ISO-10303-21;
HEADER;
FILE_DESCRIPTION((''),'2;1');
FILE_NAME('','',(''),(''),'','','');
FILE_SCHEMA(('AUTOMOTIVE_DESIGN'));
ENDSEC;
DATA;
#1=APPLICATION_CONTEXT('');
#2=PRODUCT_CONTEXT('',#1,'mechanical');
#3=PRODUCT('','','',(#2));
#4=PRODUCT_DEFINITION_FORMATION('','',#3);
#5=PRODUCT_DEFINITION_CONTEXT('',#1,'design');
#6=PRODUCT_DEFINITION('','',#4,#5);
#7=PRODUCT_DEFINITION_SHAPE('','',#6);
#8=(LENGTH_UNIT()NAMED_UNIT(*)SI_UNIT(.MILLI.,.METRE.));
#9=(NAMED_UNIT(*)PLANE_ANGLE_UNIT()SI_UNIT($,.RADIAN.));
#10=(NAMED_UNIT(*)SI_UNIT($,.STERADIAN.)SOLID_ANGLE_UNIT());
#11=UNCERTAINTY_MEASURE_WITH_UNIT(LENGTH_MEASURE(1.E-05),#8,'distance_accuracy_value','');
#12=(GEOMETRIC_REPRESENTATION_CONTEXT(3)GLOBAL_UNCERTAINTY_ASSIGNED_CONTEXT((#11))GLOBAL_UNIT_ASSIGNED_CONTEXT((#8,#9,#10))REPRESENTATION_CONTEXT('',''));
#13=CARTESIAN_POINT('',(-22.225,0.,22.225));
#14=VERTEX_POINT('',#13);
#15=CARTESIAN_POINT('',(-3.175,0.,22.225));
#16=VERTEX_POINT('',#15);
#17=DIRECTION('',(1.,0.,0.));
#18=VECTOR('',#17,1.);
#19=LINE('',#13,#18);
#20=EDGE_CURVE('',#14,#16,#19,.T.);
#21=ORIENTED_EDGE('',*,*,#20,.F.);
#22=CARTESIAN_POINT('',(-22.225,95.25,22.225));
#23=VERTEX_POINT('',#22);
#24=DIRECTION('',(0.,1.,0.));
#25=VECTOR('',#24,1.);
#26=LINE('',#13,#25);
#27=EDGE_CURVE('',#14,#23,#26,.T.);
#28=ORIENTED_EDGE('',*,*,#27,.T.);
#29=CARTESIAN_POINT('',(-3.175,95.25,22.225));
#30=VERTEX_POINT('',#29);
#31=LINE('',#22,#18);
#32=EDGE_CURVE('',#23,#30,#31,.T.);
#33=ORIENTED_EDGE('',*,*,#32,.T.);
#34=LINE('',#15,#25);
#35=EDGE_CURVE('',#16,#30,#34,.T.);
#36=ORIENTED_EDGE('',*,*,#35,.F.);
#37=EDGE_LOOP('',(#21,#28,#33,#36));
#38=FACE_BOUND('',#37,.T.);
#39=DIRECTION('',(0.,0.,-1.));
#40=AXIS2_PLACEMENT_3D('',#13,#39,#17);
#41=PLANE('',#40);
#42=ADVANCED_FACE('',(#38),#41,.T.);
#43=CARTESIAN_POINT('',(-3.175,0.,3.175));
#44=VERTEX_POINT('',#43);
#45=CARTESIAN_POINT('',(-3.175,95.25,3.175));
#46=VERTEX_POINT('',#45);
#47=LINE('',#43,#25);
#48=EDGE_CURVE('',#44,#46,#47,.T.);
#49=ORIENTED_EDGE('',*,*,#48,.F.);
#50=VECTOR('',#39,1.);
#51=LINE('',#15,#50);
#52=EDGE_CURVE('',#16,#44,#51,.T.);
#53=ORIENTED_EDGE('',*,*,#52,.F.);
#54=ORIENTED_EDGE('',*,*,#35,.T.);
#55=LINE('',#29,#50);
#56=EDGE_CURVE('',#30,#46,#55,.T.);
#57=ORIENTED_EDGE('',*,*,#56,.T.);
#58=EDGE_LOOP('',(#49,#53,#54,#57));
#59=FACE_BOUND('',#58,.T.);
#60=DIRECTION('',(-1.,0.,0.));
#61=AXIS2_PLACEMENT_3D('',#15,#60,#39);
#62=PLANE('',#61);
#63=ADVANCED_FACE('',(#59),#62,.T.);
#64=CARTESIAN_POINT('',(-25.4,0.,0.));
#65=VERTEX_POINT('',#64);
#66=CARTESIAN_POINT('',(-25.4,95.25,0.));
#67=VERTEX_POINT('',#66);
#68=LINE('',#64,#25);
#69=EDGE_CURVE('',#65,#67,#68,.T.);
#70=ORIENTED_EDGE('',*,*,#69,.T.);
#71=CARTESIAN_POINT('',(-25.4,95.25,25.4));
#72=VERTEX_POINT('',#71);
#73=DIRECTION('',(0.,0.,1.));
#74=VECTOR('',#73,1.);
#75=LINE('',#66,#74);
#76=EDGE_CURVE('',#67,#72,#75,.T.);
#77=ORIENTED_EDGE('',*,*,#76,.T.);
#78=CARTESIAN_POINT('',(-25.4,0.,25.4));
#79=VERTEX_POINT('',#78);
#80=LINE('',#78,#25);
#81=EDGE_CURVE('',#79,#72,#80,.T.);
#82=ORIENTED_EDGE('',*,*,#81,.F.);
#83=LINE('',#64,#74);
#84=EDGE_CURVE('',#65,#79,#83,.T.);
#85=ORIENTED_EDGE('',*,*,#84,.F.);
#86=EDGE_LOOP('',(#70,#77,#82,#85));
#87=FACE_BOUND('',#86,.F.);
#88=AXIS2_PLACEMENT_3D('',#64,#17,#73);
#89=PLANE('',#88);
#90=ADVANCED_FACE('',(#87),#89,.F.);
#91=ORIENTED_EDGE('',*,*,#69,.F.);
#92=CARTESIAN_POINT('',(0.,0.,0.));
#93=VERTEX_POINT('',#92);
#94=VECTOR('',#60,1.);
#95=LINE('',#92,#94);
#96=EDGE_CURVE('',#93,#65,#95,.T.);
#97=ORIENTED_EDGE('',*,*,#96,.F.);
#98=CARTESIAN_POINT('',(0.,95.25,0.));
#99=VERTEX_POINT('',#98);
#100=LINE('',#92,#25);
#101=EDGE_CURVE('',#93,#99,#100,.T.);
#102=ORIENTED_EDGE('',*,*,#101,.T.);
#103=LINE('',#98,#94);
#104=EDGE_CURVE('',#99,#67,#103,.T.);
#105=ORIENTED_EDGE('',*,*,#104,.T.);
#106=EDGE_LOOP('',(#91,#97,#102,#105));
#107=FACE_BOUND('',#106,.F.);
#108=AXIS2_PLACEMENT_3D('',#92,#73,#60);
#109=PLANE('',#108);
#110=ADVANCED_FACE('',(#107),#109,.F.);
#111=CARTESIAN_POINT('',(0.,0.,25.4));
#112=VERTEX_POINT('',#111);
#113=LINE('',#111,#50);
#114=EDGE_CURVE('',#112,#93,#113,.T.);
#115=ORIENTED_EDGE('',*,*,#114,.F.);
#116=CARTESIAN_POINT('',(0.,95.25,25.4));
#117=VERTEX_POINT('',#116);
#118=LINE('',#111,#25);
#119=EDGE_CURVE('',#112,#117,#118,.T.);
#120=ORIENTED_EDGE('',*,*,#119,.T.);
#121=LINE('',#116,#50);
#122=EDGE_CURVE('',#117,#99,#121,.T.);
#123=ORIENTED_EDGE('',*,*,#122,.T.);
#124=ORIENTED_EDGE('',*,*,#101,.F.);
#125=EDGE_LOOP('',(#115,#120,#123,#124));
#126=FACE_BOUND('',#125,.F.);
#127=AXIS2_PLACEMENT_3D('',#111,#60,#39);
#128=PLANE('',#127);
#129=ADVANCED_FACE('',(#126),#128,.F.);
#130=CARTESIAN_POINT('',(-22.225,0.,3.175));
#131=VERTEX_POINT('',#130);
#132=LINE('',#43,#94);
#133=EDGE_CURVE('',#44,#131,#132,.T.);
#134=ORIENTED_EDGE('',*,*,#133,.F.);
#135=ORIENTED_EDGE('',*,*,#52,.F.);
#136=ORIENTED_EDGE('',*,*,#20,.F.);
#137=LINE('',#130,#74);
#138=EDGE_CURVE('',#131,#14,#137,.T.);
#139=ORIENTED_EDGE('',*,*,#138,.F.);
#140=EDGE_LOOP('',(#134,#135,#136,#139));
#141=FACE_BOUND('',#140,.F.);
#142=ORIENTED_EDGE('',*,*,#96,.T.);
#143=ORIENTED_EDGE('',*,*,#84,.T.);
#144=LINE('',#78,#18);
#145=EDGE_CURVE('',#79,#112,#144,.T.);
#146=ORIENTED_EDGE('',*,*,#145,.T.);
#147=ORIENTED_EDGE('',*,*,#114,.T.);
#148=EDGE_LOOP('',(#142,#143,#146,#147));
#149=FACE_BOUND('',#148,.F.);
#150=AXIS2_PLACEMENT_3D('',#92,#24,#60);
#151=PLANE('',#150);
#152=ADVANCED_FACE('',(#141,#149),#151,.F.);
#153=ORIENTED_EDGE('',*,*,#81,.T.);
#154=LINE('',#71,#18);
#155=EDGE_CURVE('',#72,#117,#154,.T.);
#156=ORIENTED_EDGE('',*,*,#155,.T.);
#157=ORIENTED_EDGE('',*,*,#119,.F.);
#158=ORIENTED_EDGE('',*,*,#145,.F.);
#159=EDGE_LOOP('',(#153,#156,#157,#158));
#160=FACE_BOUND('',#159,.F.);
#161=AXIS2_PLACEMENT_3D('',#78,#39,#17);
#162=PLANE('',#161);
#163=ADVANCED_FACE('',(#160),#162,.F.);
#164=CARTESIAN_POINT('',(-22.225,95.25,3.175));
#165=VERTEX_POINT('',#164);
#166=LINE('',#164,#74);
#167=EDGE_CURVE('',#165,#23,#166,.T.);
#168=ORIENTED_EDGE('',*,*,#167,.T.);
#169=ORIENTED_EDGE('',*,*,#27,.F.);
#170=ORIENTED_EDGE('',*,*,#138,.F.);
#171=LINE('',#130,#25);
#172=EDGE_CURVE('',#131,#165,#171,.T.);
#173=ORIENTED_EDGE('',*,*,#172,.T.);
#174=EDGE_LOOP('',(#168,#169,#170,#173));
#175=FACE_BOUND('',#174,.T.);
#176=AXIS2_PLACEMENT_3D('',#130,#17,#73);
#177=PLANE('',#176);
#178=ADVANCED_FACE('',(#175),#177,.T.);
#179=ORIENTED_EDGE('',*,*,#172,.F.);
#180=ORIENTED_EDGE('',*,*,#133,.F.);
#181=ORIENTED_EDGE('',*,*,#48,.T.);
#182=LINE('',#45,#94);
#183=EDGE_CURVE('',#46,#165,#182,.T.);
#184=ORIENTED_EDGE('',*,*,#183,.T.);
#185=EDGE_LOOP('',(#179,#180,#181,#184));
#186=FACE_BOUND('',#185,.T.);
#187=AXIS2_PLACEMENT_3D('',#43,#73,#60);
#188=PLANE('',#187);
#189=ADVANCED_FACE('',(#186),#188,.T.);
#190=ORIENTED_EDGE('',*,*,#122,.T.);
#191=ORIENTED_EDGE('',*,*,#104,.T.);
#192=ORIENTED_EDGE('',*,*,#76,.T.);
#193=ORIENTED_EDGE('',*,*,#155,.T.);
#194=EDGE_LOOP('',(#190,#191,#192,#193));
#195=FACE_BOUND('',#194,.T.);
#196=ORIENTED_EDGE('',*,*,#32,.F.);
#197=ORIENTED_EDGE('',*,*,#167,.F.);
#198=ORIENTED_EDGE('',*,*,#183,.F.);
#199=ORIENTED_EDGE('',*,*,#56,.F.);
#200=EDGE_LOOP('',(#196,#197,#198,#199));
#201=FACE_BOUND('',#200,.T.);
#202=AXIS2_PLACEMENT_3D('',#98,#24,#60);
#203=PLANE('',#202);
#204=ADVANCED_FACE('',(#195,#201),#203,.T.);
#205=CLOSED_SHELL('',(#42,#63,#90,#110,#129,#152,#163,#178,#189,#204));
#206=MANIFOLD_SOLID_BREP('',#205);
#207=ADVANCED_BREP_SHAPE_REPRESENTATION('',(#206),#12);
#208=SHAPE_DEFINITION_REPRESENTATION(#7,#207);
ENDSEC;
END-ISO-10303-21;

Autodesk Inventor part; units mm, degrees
ref_plane "YZ Plane" through (0, 0, 0) normal (1, 0, 0) x (0, 1, 0)
ref_plane "XZ Plane" through (0, 0, 0) normal (0, 1, 0) x (-1, 0, 0)
ref_plane "XY Plane" through (0, 0, 0) normal (0, 0, 1) x (1, 0, 0)
sketch "Sketch1" plane through (0, 0, 0) normal (0, 1, 0) x (-1, 0, 0)
  line L0 (0, 0) -> (25.4, 0)
  line L1 (25.4, 0) -> (25.4, 25.4)
  line L2 (25.4, 25.4) -> (0, 25.4)
  line L3 (0, 25.4) -> (0, 0)
  line L4 (22.225, 22.225) -> (3.175, 22.225)
  line L5 (3.175, 22.225) -> (3.175, 3.175)
  line L6 (3.175, 3.175) -> (22.225, 3.175)
  line L7 (22.225, 3.175) -> (22.225, 22.225)
  dimension "d0" = 25.4
  dimension "d1" = 25.4
  dimension "d2" = 3.175
  dimension "d3" = 3.175
  dimension "d4" = 3.175
  dimension "d5" = 3.175
extrude "Extrusion1" add sketch "Sketch1" along normal blind 95.25
properties part number "8th inch tube 3.5 inch long"
